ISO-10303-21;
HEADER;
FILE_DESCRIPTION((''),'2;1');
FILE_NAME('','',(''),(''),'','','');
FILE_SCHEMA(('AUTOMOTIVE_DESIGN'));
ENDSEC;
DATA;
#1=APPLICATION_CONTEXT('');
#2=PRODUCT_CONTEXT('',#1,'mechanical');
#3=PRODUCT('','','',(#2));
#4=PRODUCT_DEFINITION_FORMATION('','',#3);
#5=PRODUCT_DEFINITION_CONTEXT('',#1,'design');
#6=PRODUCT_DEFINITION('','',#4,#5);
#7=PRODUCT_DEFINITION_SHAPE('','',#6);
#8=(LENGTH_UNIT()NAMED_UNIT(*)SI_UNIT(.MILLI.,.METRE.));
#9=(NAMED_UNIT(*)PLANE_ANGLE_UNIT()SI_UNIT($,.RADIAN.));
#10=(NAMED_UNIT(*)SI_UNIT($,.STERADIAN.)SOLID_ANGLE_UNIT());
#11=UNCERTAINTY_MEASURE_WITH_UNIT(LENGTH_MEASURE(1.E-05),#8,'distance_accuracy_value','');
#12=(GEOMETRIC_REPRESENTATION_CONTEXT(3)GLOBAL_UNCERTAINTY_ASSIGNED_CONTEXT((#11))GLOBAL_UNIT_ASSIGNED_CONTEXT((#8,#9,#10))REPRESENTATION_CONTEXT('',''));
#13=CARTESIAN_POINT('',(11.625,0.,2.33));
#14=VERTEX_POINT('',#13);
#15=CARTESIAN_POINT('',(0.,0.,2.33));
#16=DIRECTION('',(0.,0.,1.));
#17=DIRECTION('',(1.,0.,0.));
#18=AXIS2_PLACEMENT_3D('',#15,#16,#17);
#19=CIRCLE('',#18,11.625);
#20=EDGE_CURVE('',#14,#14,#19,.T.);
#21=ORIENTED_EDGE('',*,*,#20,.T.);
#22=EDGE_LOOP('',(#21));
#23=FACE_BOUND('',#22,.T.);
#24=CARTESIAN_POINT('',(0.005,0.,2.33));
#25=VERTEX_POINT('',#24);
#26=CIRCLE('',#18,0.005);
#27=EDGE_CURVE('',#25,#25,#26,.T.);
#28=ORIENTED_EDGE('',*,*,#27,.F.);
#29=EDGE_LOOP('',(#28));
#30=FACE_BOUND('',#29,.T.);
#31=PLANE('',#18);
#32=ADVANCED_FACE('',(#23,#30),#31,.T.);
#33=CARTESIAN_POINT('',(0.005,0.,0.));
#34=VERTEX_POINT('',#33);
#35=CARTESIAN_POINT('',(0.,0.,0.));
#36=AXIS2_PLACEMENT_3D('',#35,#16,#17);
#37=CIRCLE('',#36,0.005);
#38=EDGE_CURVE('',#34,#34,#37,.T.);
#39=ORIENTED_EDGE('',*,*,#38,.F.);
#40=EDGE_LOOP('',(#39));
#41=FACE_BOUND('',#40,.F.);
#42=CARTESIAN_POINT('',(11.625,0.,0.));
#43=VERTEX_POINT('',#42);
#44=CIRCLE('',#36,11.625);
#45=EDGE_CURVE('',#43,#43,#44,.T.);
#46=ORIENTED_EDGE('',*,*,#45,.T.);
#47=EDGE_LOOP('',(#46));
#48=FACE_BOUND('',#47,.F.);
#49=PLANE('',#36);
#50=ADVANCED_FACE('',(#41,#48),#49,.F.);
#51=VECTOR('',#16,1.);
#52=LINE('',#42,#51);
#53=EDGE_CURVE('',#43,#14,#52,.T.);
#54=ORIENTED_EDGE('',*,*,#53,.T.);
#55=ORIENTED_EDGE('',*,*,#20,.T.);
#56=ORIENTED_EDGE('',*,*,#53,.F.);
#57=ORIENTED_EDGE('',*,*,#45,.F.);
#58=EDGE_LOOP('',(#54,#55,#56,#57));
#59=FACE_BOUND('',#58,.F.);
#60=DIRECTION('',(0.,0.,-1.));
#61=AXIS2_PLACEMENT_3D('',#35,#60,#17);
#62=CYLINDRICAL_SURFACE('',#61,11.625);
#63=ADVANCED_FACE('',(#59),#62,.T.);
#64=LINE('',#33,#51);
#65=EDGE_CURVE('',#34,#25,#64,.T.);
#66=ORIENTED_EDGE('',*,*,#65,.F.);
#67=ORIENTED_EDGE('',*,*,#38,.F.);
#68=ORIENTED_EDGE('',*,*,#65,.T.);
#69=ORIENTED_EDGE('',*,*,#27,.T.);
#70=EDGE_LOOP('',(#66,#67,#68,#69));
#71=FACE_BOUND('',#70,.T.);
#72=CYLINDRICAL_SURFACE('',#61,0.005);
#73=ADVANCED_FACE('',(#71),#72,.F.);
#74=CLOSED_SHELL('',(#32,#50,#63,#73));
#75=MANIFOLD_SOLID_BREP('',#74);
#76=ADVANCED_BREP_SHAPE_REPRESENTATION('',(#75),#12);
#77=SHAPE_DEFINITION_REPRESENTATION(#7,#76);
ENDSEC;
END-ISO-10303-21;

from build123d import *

# Parameters (mm, degrees)
SKETCH_R   = 11.625
SKETCH_R_2 = 0.005
PAD_DEPTH  = 2.33


with BuildPart() as part:
    # Sketch → Pad (new body)
    with BuildSketch(Plane.XY):
        Circle(SKETCH_R)
        Circle(SKETCH_R_2, mode=Mode.SUBTRACT)
    extrude(amount=PAD_DEPTH)


solid = part.part
